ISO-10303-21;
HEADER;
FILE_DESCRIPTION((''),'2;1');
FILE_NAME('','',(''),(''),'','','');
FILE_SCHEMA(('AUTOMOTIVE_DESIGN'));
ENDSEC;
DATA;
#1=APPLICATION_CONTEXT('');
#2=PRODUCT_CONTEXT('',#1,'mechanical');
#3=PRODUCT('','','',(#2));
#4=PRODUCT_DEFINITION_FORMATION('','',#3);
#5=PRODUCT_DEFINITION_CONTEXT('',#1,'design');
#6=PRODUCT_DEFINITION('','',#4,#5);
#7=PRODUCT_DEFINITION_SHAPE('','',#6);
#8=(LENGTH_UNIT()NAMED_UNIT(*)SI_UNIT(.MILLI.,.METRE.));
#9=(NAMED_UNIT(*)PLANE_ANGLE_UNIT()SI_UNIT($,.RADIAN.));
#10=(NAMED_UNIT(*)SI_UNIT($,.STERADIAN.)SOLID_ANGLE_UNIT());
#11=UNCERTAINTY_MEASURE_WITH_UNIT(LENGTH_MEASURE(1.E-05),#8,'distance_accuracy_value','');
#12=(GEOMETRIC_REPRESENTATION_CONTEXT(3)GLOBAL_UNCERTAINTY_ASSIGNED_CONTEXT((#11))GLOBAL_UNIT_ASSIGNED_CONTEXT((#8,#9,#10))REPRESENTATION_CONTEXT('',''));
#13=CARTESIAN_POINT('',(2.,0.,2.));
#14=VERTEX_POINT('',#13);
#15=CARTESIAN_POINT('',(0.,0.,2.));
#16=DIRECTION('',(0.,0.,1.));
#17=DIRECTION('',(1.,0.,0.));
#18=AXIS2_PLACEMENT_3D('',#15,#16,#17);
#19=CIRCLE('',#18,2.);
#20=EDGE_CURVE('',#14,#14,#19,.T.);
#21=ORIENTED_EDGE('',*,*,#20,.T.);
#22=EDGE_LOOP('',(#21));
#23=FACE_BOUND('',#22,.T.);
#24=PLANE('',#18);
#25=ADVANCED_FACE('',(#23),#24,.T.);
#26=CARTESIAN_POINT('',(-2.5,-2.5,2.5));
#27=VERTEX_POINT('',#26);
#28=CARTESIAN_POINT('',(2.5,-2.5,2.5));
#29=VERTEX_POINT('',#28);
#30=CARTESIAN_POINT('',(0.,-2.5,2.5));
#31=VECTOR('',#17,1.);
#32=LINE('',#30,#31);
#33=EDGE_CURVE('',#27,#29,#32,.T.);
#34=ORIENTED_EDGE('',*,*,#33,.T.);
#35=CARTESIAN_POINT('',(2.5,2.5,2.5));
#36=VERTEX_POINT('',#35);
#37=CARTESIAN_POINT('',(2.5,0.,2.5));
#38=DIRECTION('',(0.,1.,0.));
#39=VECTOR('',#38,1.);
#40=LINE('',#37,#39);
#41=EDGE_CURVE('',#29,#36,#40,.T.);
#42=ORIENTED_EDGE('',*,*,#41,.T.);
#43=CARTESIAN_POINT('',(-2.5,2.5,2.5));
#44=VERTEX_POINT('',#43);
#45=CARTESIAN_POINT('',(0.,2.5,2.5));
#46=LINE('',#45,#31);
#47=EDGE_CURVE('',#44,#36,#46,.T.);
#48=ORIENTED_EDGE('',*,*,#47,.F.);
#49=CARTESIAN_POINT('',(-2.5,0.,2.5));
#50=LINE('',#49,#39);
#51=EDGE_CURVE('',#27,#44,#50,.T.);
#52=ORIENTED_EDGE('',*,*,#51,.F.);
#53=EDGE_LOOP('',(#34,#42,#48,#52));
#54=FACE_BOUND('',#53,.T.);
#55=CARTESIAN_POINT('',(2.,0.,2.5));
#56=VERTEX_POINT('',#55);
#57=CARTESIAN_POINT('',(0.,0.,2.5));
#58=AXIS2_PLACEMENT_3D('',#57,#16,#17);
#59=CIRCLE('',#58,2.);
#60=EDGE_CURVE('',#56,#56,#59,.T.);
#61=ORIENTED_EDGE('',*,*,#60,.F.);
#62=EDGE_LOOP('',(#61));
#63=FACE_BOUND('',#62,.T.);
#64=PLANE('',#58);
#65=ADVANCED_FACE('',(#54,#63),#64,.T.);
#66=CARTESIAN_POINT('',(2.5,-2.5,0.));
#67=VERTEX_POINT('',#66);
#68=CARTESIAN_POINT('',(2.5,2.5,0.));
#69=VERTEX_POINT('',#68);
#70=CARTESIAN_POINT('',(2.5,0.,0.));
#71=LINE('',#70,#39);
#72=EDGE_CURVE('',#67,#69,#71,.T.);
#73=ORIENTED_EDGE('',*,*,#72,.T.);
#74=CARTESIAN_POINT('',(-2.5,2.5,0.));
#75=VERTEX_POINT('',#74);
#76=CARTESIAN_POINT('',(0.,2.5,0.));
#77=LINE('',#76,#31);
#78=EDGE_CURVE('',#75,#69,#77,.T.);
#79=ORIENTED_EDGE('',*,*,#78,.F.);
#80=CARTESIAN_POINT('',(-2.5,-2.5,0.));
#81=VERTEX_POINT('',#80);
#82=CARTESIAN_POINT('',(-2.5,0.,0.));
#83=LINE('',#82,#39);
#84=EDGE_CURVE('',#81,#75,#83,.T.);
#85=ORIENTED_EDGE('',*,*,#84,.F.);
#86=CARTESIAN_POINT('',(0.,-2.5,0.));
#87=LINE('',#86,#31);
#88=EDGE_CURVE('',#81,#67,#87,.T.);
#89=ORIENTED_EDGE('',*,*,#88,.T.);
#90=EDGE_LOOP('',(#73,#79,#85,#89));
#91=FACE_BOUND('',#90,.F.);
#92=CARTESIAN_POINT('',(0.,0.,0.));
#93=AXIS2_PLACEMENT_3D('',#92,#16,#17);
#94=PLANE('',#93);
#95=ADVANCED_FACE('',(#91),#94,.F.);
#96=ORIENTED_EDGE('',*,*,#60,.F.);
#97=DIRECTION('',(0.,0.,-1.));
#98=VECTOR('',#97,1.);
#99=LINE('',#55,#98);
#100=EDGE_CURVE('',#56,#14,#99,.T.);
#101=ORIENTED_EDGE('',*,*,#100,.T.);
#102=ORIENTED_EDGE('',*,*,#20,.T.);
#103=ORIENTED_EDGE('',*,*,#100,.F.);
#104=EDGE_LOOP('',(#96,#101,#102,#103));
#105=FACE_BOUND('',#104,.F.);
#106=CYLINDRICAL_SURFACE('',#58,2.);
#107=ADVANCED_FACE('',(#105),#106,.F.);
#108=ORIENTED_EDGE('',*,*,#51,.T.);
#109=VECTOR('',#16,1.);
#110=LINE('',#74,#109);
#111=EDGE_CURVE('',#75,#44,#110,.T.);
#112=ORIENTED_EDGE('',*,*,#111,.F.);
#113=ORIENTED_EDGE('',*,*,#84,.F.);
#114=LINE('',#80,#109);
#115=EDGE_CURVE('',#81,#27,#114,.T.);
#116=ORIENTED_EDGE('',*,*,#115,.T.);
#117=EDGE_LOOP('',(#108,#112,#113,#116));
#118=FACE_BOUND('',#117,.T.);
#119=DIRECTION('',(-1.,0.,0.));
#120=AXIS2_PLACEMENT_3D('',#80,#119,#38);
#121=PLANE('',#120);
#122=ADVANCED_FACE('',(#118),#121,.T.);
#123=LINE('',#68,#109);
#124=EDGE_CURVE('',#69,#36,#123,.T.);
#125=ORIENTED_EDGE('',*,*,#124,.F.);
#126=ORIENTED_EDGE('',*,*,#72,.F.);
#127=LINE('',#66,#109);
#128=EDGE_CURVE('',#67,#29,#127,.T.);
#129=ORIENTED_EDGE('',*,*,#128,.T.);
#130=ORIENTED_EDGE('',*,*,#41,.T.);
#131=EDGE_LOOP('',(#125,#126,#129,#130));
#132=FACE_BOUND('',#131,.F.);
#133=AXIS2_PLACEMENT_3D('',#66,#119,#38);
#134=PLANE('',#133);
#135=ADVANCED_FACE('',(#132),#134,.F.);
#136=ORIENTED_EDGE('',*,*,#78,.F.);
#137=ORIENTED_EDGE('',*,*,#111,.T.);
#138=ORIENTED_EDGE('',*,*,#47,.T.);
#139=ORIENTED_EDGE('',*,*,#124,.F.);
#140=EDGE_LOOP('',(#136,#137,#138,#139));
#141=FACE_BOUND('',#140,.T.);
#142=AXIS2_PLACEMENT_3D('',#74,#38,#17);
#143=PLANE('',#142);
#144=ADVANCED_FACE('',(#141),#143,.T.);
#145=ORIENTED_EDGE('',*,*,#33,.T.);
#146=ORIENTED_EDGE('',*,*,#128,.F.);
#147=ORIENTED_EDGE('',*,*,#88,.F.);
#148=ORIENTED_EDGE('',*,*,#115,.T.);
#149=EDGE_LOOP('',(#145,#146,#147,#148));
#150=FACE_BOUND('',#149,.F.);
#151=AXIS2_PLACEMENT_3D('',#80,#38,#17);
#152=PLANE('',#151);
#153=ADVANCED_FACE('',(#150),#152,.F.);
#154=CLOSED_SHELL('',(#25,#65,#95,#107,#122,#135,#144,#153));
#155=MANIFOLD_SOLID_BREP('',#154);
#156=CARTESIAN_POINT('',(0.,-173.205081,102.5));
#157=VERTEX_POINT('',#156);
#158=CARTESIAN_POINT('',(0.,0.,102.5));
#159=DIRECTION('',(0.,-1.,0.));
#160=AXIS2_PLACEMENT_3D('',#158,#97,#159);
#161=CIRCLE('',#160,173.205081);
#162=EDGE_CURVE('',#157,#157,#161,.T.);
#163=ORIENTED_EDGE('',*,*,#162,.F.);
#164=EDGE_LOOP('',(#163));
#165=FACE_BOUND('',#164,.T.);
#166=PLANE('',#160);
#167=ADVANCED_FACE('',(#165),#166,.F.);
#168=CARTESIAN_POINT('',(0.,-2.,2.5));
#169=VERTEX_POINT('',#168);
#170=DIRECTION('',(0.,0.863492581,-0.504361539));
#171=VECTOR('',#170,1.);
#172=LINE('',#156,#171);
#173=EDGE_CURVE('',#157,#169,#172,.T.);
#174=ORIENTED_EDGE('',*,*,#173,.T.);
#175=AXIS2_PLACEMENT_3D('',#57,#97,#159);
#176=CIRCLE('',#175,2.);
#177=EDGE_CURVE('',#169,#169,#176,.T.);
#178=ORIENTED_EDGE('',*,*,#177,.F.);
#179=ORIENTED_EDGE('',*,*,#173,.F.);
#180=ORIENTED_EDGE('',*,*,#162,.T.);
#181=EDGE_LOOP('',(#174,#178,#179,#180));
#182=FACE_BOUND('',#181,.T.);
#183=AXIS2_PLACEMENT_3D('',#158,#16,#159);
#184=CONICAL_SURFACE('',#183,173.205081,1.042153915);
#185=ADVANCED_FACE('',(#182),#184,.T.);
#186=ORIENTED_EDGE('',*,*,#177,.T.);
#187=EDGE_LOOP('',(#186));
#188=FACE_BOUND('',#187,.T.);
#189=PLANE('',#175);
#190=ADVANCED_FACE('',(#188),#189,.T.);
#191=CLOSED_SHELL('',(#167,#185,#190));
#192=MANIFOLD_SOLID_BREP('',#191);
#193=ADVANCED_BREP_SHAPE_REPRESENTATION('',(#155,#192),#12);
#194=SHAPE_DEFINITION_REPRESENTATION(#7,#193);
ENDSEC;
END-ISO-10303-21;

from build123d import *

# Parameters (mm, degrees)
F0_W     = 5
F0_H     = 5
F1_DEPTH = 2.5
F2_R     = 2
F3_DEPTH = 0.5


with BuildPart() as f1:
    # F0 (on Top) → F1 (new body)
    with BuildSketch(Plane.XY):
        Rectangle(F0_W, F0_H)
    extrude(amount=F1_DEPTH)

    # F2 (on face) → F3 (cut)
    with BuildSketch(Plane.XY.offset(2.5)):
        Circle(F2_R)
    extrude(amount=-F3_DEPTH, mode=Mode.SUBTRACT)


with BuildPart() as f5:
    # F4 (on Right) → F5 (revolve)
    with BuildSketch(Plane.YZ):
        Polygon((-173.205081, 102.5), (-2, 2.5), (0, 2.5), (0, 102.5), align=None)
    revolve(axis=Axis((0, 0, 52.5), (0, 0, -1)))


solid = Compound([f1.part, f5.part])
